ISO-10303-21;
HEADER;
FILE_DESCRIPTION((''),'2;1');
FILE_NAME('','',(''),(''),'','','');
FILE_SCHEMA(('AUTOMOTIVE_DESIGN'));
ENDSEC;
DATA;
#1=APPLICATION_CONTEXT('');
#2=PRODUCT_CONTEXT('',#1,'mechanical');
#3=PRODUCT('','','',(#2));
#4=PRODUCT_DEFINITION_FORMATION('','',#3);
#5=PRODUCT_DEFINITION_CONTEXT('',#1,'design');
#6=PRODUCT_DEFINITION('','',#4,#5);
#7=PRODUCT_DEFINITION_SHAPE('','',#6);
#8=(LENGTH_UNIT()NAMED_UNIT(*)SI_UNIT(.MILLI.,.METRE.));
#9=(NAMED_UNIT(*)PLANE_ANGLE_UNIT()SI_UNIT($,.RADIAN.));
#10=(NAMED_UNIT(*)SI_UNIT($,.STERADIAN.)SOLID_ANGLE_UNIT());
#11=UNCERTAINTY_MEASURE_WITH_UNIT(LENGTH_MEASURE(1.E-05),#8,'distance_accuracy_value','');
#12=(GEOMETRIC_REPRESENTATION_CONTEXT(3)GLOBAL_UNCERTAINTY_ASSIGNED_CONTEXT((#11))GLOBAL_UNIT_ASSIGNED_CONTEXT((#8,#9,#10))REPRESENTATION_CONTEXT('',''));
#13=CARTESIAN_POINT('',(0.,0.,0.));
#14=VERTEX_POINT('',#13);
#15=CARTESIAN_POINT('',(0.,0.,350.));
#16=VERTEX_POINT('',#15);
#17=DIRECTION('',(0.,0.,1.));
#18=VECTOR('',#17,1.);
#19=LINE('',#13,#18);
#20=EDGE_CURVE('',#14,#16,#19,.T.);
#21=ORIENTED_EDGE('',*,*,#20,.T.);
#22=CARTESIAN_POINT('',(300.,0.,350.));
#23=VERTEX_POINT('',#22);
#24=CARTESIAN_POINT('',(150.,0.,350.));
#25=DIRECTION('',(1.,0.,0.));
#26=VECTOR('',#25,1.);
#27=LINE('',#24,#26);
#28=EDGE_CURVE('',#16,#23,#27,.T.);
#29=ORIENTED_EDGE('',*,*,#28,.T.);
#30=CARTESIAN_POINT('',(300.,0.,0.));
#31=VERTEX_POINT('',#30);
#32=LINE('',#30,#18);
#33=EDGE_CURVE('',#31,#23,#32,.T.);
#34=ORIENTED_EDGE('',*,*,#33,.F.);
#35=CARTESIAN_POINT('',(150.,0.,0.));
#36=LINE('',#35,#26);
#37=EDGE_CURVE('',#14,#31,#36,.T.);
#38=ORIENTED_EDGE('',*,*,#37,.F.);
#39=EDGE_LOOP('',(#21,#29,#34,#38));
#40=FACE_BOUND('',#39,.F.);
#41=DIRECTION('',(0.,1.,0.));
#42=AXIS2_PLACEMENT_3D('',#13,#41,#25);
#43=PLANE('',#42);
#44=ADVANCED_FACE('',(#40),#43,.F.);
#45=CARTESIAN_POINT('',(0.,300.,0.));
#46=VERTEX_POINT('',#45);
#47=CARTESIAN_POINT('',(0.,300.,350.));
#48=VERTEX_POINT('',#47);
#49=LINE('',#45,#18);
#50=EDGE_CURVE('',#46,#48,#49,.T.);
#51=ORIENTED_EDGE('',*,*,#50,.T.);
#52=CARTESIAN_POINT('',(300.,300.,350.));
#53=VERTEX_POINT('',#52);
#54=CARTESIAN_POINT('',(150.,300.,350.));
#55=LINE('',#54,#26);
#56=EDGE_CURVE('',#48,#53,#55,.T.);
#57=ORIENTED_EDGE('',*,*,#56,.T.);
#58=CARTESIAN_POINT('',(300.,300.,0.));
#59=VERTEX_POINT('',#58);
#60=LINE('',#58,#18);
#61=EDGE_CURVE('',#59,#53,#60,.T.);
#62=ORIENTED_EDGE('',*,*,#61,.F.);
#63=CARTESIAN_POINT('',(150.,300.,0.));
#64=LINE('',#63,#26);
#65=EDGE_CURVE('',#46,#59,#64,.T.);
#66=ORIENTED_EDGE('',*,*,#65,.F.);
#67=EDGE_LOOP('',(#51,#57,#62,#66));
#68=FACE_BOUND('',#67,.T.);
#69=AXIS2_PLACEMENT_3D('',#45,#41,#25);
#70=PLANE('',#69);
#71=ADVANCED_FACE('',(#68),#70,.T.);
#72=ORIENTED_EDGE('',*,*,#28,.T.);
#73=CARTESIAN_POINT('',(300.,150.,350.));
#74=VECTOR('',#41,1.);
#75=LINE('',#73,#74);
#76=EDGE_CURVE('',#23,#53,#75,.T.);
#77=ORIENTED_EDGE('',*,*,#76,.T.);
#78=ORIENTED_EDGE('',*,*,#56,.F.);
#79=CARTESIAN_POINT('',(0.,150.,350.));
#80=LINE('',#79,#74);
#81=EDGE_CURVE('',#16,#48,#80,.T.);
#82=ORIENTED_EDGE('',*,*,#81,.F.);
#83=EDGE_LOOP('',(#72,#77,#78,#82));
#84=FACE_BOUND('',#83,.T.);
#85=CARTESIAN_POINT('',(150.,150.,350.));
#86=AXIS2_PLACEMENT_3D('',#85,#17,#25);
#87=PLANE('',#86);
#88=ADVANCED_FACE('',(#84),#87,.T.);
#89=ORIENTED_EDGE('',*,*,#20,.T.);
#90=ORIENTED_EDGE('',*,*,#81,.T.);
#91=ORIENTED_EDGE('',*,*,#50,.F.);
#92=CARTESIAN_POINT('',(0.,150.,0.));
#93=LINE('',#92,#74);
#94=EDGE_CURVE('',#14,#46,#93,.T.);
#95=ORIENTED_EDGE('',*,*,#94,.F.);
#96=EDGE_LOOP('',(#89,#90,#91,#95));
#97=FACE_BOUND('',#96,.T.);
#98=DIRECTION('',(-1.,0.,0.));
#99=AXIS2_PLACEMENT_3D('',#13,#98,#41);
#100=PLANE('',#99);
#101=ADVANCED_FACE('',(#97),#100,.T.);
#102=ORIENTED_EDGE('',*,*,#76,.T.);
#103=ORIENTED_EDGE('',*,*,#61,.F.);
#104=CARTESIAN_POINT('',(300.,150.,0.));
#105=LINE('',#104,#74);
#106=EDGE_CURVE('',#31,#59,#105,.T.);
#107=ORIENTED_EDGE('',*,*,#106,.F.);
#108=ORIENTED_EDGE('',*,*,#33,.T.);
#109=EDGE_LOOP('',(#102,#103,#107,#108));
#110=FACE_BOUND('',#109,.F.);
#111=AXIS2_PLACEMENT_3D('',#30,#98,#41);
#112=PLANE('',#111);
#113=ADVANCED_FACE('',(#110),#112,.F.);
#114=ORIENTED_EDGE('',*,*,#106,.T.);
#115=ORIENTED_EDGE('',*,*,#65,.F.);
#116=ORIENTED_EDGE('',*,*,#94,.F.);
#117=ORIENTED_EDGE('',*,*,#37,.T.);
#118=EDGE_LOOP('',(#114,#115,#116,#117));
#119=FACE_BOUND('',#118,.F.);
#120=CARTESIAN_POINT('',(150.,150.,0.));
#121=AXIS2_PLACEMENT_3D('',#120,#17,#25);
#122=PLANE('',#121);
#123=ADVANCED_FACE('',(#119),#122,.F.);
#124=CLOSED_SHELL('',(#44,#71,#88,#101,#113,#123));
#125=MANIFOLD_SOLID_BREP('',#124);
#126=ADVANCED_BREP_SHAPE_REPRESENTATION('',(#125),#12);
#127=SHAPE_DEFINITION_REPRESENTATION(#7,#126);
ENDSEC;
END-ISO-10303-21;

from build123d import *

# Parameters (mm, degrees)
BOX_W     = 300
BOX_H     = 300
BOX_DEPTH = 350


with BuildPart() as part:
    # Box → Box (new body)
    with BuildSketch(Plane.XY):
        with Locations((150, 150)):
            Rectangle(BOX_W, BOX_H)
    extrude(amount=BOX_DEPTH)


solid = part.part
